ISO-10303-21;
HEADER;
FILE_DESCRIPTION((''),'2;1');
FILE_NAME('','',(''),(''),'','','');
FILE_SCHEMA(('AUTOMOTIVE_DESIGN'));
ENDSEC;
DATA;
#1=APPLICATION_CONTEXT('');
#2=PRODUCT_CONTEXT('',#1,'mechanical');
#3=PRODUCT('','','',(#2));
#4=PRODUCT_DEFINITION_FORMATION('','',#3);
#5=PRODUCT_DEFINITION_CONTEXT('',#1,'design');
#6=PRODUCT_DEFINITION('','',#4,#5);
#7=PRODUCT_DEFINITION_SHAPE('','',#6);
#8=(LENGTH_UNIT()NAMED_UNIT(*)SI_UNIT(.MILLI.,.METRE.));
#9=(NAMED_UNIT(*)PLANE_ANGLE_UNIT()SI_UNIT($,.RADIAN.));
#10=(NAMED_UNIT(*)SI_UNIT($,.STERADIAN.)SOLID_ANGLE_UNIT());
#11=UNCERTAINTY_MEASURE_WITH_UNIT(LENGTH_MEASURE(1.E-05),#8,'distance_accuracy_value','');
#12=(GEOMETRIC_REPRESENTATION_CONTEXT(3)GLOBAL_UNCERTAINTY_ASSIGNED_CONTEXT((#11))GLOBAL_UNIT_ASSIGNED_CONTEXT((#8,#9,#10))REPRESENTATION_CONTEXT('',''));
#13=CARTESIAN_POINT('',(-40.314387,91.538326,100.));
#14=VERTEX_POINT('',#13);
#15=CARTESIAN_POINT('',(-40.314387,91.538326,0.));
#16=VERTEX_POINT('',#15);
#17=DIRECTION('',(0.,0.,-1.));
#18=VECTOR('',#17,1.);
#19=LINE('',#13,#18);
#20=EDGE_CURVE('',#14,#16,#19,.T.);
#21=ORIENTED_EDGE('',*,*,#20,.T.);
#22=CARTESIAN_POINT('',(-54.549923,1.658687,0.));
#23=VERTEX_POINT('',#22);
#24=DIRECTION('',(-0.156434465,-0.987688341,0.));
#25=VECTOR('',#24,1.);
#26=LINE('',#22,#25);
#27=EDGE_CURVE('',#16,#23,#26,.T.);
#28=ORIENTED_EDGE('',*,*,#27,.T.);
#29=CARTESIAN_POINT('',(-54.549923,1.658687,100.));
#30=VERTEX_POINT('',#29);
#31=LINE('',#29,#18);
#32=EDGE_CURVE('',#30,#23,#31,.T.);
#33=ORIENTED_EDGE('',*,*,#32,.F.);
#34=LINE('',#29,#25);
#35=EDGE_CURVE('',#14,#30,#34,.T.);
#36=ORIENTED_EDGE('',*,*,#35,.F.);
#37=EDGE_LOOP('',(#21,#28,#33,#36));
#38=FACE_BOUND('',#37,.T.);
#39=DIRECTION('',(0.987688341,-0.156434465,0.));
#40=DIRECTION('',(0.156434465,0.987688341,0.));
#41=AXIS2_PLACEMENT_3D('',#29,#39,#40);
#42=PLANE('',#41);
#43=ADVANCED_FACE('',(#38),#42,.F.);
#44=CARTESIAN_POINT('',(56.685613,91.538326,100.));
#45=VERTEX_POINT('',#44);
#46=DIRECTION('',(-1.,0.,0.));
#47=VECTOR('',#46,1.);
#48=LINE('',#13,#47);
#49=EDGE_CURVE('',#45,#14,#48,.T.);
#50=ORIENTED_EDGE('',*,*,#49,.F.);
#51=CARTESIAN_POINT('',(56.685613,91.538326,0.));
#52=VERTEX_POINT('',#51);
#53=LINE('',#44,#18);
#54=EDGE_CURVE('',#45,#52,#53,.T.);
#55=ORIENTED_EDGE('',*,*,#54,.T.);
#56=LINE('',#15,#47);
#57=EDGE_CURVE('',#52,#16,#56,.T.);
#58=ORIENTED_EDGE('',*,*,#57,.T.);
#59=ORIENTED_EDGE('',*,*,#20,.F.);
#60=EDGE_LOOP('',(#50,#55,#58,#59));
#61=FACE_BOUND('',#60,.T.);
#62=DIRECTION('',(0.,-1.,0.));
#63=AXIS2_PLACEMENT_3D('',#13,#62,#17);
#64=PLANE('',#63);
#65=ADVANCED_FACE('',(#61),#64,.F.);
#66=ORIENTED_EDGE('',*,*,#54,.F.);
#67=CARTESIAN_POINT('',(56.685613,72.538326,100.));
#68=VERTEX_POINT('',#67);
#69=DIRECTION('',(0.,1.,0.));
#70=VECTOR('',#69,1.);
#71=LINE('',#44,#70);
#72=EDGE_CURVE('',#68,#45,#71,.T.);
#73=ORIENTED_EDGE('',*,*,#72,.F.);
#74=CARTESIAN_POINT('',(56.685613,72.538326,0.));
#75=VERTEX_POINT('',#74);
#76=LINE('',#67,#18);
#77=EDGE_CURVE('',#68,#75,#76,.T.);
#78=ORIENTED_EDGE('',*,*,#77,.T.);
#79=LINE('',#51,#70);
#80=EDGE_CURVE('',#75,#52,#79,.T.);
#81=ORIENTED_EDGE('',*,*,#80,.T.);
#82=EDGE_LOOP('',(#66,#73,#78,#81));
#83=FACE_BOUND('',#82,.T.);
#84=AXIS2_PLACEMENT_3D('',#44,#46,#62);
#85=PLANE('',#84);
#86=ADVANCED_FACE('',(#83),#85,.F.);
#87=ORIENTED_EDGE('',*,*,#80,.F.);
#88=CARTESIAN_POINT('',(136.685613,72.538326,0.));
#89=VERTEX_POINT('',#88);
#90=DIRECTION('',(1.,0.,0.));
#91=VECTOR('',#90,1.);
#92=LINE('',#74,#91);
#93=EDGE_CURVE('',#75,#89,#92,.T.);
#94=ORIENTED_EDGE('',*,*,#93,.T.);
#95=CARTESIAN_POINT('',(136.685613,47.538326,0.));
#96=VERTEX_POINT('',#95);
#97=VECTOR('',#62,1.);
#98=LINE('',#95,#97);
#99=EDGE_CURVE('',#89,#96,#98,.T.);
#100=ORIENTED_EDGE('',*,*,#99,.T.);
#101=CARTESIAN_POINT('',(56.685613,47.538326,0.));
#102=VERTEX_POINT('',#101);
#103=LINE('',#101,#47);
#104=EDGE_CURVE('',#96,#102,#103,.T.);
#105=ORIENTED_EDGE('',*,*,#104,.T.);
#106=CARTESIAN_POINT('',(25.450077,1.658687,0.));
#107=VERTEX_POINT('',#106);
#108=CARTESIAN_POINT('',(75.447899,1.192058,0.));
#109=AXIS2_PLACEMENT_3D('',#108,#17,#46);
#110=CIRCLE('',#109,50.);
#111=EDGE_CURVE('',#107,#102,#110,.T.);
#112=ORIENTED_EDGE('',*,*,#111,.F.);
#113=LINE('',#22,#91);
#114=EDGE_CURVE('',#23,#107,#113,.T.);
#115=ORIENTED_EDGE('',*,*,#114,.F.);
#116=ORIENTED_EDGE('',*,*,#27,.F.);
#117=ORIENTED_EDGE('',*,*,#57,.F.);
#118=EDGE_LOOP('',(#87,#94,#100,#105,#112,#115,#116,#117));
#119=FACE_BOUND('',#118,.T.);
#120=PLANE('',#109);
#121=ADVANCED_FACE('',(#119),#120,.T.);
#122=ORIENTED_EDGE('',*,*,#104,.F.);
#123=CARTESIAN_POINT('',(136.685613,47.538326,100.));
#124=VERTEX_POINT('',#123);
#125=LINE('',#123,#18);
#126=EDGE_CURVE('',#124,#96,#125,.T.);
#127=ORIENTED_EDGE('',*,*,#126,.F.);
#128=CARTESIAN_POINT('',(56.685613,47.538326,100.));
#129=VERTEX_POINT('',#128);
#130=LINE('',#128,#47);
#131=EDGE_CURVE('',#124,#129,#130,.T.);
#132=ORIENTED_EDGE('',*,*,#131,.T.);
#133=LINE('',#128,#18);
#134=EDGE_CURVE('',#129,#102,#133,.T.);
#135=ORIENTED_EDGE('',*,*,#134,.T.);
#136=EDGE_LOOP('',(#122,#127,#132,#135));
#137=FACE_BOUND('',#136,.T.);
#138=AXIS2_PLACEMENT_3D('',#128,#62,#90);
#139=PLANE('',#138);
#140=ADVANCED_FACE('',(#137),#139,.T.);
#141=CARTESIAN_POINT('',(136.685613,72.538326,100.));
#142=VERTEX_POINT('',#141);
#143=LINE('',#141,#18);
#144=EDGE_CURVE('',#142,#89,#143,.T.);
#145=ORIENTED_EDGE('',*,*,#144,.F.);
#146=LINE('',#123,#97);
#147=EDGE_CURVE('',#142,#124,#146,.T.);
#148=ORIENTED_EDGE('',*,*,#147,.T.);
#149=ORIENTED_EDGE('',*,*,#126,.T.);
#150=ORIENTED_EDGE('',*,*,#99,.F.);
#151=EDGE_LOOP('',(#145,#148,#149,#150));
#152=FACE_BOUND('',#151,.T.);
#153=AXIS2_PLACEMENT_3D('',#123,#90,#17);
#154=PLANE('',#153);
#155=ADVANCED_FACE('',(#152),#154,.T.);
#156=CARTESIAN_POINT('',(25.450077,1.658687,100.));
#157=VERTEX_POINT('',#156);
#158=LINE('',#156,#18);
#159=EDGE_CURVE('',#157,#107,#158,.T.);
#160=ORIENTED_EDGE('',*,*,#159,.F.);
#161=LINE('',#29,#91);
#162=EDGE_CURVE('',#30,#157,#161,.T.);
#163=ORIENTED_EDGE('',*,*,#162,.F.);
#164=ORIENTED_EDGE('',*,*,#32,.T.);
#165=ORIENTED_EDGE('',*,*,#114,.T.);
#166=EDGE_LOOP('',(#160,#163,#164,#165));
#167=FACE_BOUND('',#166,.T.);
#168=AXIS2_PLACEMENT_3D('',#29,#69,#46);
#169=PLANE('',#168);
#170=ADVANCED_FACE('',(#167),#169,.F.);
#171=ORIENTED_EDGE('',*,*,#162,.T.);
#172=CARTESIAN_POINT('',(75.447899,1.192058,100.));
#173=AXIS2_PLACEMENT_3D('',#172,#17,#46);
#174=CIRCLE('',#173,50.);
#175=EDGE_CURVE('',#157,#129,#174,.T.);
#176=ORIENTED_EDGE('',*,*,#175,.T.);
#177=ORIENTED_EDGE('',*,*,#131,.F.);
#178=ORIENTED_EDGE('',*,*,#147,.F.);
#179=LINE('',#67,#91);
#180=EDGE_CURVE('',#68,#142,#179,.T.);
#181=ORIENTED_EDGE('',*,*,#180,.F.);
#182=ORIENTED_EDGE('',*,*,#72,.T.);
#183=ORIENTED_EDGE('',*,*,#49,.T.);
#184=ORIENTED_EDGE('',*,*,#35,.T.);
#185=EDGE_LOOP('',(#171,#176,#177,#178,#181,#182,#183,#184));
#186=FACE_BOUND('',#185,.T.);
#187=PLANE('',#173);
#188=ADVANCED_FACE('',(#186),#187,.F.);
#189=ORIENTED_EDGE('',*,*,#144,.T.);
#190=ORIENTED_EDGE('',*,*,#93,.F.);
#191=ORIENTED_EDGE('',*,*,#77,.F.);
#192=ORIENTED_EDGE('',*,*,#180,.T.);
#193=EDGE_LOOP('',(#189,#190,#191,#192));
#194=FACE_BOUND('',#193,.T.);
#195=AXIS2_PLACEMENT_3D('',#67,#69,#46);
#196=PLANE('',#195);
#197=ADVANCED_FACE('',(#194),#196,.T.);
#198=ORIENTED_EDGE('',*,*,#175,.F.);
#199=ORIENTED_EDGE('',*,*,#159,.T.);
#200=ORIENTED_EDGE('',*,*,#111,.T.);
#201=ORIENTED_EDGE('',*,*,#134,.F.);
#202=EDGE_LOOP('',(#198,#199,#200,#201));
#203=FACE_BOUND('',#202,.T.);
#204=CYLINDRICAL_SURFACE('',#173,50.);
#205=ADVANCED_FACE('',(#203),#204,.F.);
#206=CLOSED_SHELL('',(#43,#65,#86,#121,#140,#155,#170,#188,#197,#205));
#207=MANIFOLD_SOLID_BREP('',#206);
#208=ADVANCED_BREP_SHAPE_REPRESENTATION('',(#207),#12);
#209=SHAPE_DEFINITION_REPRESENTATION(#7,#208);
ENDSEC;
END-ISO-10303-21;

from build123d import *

# Parameters (mm, degrees)
BOSS_EXTRUDE1_DEPTH = 100
SKETCH3_W           = 80
SKETCH3_H           = 25
BOSS_EXTRUDE2_DEPTH = 100


with BuildPart() as part:
    # Sketch2 → Boss-Extrude1 (new body)
    with BuildSketch(Plane.XY):
        with BuildLine():
            Line((-54.549923262, 1.658687455), (25.450076738, 1.658687455))
            ThreePointArc((25.450076738, 1.658687455), (34.117239254, 29.330582003), (56.685613057, 47.538326449))
            Line((56.685613057, 47.538326449), (56.685613057, 91.538326449))
            Line((56.685613057, 91.538326449), (-40.314386943, 91.538326449))
            Line((-40.314386943, 91.538326449), (-54.549923262, 1.658687455))
        make_face()
    extrude(amount=BOSS_EXTRUDE1_DEPTH)

    # Sketch3 → Boss-Extrude2 (add)
    with BuildSketch(Plane(origin=(0, 0, 0), x_dir=(-1, 0, 0), z_dir=(0, 0, -1))):
        with Locations((-96.685613057, 60.038326449)):
            Rectangle(SKETCH3_W, SKETCH3_H)
    extrude(amount=-BOSS_EXTRUDE2_DEPTH)


solid = part.part
